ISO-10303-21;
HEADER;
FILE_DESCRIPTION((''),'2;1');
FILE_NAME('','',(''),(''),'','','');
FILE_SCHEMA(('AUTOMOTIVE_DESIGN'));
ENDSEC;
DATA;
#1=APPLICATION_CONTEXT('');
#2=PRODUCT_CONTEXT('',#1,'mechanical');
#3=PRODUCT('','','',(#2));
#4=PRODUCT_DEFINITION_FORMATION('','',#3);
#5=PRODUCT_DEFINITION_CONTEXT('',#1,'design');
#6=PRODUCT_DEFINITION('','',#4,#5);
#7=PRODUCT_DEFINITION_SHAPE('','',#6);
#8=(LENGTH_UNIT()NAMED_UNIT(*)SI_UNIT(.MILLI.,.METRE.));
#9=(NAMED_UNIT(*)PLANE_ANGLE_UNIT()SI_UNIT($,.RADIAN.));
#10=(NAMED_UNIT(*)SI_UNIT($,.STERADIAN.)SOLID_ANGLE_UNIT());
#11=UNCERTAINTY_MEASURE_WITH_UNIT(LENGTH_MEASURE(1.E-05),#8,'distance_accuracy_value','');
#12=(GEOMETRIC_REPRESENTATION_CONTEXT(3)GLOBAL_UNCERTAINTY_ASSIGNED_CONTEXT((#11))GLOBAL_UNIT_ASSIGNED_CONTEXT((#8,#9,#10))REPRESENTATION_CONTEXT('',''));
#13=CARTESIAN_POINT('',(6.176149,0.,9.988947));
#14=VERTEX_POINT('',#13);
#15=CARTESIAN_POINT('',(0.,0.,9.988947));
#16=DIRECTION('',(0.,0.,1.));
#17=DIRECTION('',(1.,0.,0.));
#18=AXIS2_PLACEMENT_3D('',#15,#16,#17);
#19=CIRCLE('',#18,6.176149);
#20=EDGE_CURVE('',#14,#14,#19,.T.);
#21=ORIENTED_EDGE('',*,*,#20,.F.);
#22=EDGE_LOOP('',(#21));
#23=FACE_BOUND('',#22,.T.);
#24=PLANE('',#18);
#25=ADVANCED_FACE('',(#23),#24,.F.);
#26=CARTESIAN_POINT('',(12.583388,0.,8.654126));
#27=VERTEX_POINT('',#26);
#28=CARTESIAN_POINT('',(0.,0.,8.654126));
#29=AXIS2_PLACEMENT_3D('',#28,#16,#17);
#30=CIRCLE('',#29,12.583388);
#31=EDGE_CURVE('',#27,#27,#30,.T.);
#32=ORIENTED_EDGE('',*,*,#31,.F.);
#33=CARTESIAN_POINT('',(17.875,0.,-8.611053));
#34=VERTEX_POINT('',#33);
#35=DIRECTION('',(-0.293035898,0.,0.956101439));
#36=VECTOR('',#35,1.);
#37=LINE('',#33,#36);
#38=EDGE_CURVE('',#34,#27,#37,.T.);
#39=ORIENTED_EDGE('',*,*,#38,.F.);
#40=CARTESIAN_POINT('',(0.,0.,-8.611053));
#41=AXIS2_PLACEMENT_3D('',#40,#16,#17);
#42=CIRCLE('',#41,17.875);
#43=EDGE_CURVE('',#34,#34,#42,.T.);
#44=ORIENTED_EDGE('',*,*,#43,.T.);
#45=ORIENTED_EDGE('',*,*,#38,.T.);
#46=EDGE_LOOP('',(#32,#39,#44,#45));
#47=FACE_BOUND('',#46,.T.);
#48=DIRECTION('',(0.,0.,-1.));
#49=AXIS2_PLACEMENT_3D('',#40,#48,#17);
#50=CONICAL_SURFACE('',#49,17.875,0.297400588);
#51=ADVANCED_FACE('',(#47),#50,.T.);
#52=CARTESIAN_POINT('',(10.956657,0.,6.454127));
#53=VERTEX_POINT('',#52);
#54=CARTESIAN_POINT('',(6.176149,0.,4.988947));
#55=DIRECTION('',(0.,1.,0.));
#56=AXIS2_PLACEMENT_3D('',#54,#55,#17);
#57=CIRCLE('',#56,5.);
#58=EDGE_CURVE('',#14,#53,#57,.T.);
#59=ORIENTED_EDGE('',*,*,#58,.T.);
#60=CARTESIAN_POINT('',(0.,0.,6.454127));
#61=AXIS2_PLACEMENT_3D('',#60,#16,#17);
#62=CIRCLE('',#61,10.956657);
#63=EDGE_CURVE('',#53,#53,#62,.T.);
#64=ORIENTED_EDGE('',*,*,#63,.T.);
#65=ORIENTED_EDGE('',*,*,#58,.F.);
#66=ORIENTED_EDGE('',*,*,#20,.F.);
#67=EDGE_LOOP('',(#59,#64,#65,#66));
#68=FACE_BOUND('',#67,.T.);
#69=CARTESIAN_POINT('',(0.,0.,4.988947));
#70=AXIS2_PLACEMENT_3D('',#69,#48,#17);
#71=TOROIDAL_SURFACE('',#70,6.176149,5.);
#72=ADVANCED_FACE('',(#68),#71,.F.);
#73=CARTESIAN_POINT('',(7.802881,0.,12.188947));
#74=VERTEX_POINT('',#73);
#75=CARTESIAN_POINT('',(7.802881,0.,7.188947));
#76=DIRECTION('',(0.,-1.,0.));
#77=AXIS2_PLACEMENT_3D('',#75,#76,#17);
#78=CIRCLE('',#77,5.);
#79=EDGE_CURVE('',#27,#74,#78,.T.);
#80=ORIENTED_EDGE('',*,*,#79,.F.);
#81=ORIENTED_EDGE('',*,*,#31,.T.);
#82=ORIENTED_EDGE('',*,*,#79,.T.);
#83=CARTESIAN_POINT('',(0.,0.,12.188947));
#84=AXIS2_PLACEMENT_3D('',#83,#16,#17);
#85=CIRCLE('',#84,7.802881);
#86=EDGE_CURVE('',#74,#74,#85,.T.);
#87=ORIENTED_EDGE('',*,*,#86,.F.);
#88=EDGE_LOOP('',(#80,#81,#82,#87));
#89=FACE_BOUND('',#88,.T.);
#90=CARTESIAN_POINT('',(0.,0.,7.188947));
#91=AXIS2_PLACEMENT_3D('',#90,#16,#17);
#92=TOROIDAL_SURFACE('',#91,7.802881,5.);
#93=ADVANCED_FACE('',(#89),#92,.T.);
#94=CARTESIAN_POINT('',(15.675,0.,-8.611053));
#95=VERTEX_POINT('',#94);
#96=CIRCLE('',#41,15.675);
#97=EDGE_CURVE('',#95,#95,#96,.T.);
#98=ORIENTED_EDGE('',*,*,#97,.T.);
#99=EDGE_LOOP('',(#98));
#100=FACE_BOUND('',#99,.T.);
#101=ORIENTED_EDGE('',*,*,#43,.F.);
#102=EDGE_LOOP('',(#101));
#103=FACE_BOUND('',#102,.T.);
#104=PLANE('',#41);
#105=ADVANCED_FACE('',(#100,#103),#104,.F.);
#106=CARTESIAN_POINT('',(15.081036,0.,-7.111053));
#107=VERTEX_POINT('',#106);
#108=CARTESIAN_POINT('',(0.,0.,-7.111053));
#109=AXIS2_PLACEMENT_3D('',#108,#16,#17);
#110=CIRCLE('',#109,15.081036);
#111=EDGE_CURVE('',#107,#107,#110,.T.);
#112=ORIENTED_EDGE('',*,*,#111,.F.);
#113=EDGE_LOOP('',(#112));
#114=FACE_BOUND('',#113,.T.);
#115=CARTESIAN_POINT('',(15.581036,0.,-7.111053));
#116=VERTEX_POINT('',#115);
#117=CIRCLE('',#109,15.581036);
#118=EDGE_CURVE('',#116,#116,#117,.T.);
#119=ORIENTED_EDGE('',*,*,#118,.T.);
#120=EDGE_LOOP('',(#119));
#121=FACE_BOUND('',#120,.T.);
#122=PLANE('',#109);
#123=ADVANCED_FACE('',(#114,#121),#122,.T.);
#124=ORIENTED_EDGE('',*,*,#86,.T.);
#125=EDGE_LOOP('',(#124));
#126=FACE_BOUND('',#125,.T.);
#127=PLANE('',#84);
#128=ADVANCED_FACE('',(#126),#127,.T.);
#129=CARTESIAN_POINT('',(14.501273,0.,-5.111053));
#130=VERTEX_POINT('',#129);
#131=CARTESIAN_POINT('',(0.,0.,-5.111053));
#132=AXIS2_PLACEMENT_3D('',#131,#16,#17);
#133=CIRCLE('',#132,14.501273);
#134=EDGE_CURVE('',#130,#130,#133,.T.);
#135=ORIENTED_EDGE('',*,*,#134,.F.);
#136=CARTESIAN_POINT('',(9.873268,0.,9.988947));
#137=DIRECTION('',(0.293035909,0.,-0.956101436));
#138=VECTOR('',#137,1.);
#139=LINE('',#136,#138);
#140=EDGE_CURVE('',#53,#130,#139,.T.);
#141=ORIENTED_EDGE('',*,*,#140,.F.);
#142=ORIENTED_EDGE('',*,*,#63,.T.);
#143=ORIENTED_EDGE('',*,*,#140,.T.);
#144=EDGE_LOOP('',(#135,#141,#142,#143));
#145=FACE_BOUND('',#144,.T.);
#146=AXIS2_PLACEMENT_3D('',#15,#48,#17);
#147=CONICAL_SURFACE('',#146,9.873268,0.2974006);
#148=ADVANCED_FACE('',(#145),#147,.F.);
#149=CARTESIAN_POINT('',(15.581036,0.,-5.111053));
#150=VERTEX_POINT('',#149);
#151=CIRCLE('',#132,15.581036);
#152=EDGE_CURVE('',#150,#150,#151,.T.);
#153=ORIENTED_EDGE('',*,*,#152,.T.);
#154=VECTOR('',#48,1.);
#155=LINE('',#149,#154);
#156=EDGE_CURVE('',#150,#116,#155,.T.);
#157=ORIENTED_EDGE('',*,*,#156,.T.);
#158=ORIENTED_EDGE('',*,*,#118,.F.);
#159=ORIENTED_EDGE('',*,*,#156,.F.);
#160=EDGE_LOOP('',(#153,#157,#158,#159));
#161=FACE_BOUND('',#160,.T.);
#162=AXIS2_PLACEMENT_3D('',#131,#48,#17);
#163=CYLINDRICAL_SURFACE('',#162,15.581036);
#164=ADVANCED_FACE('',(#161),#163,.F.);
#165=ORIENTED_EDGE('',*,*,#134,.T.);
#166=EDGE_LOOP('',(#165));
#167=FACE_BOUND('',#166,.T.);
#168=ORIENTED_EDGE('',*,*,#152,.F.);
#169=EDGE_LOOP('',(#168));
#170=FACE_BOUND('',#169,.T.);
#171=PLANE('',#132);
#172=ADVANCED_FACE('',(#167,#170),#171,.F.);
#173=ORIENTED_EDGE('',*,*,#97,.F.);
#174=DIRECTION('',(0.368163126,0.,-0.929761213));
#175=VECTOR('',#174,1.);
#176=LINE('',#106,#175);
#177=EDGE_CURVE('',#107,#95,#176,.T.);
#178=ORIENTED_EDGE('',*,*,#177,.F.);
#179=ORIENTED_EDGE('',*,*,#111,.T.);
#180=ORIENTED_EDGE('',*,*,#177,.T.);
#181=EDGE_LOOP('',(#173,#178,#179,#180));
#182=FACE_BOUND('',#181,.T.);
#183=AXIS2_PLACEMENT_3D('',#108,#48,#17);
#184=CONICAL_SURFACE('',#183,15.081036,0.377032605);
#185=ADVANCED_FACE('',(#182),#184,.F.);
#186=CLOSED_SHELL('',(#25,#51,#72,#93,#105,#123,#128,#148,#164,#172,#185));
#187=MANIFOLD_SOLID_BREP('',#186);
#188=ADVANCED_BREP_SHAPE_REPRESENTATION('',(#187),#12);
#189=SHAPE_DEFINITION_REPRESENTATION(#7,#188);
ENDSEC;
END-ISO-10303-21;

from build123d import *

# Parameters (mm, degrees)
F2_R = 5


with BuildPart() as f1:
    # F0 (on Front) → F1 (revolve)
    with BuildSketch(Plane.XZ):
        Polygon((15.675, -8.611053), (17.875, -8.611053), (11.5, 12.188947), (0, 12.188947), (0, 9.988947), (9.873268, 9.988947), (14.501273, -5.111053), (15.581036, -5.111053), (15.581036, -7.111053), (15.081036, -7.111053), align=None)
    revolve(axis=Axis((0, 0, 8.77352), (0, 0, 1)))

    # F2
    f2_edges = [f1.edges().sort_by_distance(p)[0] for p in [
        (-11.5, 0, 12.188947),
        (-9.873268, 0, 9.988947),
    ]]
    fillet(f2_edges, radius=F2_R)


solid = f1.part
